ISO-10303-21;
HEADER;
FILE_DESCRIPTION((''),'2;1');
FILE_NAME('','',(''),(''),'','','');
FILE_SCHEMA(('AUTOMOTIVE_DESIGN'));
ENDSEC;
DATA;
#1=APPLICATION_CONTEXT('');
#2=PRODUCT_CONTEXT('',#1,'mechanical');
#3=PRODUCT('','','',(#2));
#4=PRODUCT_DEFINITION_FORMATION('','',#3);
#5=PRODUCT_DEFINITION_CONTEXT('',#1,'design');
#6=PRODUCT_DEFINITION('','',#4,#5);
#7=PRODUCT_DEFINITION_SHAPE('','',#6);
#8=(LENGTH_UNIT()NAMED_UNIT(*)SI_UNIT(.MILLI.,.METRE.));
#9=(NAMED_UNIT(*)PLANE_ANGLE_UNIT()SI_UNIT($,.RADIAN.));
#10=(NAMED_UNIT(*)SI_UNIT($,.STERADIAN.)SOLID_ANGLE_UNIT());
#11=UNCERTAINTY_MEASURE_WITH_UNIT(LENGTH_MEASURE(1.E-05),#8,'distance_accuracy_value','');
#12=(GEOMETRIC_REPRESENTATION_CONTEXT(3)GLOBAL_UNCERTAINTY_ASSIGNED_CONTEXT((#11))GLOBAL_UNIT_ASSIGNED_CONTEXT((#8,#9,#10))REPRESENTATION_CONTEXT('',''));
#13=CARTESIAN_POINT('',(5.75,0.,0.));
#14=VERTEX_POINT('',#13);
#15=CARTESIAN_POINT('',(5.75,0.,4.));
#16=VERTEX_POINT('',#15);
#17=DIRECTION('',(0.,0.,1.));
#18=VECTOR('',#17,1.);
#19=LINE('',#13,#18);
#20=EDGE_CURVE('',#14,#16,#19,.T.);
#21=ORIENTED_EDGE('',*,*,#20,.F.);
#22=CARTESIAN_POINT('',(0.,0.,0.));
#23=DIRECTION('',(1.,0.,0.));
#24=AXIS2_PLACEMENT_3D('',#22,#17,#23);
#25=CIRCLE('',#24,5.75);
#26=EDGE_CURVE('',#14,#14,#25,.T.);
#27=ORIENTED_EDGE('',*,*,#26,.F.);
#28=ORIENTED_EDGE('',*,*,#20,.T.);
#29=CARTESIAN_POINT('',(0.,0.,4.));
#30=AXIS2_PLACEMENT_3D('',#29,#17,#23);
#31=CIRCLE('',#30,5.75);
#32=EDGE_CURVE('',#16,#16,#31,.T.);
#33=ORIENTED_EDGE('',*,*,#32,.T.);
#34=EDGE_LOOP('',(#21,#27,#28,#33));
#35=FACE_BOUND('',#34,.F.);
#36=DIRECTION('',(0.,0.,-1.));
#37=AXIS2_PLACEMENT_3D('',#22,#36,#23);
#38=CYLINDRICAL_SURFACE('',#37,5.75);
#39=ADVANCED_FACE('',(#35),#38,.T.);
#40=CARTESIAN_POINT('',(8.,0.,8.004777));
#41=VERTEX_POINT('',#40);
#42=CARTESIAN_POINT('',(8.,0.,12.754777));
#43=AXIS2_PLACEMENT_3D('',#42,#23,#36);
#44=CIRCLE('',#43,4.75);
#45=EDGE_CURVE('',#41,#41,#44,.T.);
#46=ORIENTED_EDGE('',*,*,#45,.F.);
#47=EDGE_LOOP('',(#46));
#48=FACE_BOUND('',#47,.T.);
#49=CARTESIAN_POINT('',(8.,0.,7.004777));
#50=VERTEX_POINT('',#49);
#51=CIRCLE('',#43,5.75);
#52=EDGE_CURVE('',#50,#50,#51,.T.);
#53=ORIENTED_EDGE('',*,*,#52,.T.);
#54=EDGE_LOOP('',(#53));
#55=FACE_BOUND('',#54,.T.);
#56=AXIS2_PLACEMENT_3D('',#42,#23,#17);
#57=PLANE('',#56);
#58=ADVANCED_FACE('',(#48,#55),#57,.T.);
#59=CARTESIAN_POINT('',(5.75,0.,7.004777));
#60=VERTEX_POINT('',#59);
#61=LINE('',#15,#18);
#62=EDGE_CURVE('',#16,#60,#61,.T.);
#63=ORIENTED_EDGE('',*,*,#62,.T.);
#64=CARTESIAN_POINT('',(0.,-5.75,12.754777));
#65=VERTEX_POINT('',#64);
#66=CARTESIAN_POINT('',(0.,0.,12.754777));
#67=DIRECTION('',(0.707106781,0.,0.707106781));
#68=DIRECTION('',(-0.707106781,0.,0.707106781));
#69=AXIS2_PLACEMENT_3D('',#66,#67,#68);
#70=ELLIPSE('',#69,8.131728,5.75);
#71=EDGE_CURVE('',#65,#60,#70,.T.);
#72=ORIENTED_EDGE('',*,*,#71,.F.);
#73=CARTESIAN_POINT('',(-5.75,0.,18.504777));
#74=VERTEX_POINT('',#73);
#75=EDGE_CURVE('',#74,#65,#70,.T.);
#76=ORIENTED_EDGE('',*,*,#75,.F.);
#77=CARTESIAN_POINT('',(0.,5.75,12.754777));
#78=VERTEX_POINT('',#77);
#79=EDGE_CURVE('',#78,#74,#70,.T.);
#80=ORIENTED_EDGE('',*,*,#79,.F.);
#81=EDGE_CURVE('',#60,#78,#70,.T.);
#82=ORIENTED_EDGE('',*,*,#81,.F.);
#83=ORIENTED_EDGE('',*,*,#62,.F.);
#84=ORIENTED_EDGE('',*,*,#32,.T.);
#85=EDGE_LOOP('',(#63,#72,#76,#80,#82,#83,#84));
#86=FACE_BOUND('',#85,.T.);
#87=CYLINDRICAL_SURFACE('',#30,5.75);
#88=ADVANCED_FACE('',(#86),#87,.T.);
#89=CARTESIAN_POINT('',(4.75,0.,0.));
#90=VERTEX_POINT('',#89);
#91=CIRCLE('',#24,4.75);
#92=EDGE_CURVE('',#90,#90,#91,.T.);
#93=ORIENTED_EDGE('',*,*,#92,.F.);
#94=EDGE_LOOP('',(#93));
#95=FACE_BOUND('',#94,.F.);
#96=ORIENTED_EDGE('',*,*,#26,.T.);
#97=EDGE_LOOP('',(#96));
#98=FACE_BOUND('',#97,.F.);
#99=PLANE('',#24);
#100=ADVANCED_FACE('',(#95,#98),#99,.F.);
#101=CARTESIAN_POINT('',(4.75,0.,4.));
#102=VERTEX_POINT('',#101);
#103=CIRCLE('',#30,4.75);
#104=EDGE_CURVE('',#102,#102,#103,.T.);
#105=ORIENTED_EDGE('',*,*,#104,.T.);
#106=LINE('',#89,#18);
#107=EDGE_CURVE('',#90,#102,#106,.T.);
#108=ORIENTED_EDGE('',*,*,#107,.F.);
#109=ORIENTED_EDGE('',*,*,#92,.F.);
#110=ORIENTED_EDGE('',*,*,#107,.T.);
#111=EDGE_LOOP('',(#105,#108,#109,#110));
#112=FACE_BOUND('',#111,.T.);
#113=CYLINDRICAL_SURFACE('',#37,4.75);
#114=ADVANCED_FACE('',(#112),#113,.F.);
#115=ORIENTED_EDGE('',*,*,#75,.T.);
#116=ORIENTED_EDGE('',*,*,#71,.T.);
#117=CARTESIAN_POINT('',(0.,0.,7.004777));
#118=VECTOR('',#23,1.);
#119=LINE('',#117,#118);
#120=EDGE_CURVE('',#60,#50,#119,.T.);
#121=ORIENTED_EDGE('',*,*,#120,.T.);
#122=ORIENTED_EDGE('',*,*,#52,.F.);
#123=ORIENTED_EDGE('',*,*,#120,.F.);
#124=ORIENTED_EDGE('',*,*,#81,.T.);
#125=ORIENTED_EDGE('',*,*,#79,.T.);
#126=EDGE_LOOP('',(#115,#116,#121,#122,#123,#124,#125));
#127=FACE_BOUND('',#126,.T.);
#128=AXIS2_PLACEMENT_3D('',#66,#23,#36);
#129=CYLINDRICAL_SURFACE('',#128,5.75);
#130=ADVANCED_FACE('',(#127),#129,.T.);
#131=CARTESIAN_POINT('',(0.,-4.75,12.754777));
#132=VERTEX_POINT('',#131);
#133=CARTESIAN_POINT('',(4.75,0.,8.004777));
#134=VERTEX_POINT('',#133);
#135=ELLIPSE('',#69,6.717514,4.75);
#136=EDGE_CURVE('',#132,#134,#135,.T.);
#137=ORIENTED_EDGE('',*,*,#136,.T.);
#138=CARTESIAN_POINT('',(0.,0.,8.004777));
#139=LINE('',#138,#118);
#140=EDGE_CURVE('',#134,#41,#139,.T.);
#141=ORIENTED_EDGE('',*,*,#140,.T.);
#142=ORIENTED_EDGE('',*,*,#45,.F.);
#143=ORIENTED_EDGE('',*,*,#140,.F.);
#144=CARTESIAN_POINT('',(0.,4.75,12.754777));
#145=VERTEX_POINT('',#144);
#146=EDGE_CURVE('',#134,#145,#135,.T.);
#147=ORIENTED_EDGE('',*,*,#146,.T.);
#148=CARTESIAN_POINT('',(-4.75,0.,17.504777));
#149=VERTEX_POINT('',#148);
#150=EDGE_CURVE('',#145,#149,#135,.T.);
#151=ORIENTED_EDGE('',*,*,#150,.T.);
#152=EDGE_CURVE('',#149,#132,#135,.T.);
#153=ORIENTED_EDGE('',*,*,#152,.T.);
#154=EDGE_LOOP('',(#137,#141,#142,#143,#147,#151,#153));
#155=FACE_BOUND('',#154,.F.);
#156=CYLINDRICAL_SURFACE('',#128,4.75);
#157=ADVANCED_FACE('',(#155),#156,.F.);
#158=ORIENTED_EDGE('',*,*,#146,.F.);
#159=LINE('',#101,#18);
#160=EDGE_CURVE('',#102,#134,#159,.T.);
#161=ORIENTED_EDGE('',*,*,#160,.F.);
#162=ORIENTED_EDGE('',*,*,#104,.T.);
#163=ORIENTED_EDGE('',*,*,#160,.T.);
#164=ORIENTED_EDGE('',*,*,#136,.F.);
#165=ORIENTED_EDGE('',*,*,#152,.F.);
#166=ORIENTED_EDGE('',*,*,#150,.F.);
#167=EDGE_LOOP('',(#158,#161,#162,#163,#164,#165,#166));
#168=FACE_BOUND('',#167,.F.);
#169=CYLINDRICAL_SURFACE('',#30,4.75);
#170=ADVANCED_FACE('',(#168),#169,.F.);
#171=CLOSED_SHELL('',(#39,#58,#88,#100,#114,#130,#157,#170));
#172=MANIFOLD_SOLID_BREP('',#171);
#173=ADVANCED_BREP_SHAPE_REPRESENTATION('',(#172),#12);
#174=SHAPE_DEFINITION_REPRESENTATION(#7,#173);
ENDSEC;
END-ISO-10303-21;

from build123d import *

# Parameters (mm, degrees)
F0_R        = 5.75
F0_R_2      = 4.75
F1_DEPTH    = 4
F1_FACE_R   = 5.75
F1_FACE_R_2 = 4.75


with BuildPart() as f1:
    # F0 (on Top) → F1 (new body)
    with BuildSketch(Plane.XY):
        Circle(F0_R)
        Circle(F0_R_2, mode=Mode.SUBTRACT)
    extrude(amount=F1_DEPTH)

    # F5: sweep along a path in F4
    with BuildLine(Plane.XZ) as f5_path:
        Line((0, 4), (0, 12.7547773101))
        Line((0, 12.7547773101), (8, 12.7547773101))
    # F1_face (on face) → F5 (sweep)
    with BuildSketch(Plane.XY.offset(4)):
        Circle(F1_FACE_R)
        Circle(F1_FACE_R_2, mode=Mode.SUBTRACT)
    sweep(path=f5_path.line, transition=Transition.RIGHT)


solid = f1.part
